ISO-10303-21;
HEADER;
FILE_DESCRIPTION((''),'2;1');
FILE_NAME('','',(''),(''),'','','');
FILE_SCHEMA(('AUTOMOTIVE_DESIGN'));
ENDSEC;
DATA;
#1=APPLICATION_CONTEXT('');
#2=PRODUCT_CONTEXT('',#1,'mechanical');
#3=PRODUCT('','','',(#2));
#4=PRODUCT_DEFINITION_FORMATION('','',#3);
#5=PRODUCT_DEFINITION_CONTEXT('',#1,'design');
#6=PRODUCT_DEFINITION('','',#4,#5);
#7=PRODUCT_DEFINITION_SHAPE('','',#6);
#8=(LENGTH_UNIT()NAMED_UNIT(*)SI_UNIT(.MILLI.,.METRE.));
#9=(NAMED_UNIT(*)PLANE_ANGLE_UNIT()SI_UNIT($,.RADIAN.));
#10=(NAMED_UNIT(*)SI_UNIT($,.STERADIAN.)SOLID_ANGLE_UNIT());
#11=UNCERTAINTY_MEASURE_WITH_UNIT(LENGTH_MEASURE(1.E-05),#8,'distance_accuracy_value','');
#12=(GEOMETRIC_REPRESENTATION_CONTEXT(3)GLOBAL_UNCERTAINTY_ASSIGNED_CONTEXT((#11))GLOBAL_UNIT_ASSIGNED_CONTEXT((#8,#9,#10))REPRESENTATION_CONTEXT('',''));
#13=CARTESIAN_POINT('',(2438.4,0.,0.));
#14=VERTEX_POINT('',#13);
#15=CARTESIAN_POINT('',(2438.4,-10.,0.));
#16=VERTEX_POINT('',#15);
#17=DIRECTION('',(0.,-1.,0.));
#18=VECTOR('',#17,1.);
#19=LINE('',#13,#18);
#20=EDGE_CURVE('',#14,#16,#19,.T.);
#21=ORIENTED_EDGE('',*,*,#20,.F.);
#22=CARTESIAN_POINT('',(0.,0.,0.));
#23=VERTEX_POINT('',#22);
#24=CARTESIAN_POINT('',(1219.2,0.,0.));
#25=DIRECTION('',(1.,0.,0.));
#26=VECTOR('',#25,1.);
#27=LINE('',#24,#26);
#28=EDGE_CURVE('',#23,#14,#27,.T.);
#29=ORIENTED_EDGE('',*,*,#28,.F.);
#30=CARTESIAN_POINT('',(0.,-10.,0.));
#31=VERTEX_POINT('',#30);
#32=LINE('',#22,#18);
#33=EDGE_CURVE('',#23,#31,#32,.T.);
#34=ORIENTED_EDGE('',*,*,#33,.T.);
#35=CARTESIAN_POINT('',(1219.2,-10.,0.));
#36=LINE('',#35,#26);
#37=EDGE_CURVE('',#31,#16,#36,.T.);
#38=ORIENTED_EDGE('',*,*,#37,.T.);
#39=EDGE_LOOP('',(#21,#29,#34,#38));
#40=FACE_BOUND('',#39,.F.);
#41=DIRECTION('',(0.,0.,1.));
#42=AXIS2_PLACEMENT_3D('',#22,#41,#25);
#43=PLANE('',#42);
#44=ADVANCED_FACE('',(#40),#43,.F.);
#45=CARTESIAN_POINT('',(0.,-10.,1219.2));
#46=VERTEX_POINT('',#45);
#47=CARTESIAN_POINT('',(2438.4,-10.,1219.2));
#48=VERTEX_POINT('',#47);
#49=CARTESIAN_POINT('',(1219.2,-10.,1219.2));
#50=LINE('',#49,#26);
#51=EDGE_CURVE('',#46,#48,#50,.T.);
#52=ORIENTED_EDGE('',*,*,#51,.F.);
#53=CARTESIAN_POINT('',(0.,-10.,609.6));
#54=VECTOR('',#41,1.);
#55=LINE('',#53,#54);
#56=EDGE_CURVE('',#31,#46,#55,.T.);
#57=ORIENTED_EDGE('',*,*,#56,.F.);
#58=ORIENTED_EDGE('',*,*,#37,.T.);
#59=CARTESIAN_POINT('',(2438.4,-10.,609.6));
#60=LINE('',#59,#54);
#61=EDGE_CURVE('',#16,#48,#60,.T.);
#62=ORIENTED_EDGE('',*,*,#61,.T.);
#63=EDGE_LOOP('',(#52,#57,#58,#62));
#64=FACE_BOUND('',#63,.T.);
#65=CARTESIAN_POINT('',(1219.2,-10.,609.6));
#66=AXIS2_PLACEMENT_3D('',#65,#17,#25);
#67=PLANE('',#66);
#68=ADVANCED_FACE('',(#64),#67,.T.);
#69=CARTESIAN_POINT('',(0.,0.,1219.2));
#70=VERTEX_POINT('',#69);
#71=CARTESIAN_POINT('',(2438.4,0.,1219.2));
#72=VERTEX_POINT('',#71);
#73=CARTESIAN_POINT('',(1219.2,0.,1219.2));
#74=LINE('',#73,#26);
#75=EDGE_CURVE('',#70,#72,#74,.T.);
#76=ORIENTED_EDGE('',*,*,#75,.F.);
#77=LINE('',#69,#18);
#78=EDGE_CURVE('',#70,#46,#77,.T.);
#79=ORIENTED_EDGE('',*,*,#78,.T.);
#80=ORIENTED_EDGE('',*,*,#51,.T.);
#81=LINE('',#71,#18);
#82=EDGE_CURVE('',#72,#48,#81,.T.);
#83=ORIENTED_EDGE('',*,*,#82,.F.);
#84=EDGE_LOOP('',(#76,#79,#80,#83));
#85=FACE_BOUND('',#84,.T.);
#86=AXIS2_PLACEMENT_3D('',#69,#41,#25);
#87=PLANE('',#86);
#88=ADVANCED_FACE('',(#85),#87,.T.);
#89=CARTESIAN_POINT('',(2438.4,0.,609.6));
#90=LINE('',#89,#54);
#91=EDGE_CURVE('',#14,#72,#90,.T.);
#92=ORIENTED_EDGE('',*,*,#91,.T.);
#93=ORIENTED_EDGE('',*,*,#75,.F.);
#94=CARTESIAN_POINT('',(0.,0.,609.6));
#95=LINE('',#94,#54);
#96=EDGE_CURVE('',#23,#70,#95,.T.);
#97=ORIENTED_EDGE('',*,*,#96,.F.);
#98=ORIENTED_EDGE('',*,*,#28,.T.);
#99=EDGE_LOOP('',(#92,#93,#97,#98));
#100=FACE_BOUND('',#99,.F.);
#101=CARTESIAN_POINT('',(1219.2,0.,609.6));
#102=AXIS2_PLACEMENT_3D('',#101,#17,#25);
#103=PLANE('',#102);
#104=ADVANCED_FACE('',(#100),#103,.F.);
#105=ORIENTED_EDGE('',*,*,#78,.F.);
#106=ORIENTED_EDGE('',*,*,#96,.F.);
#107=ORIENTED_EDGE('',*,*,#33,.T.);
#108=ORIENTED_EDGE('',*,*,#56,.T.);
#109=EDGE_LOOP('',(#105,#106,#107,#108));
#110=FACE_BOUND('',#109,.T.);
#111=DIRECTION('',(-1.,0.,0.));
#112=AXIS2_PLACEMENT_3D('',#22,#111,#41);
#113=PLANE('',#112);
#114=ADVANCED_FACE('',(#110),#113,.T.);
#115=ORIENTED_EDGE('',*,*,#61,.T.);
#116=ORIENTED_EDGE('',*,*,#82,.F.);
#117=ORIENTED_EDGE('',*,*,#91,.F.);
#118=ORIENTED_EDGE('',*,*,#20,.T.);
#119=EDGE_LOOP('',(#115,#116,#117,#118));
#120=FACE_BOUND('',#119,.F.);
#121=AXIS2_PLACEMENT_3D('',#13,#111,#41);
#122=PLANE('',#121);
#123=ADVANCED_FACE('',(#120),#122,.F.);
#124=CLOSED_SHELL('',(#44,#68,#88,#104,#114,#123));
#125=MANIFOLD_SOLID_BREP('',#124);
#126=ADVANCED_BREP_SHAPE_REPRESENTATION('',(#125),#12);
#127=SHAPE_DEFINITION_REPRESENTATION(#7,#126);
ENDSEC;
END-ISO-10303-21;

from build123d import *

# Parameters (mm, degrees)
SKETCH_W  = 2438.4
SKETCH_H  = 1219.2
PAD_DEPTH = 10


with BuildPart() as part:
    # Sketch → Pad (new body)
    with BuildSketch(Plane.XZ):
        with Locations((1219.2, 609.6)):
            Rectangle(SKETCH_W, SKETCH_H)
    extrude(amount=PAD_DEPTH)


solid = part.part
